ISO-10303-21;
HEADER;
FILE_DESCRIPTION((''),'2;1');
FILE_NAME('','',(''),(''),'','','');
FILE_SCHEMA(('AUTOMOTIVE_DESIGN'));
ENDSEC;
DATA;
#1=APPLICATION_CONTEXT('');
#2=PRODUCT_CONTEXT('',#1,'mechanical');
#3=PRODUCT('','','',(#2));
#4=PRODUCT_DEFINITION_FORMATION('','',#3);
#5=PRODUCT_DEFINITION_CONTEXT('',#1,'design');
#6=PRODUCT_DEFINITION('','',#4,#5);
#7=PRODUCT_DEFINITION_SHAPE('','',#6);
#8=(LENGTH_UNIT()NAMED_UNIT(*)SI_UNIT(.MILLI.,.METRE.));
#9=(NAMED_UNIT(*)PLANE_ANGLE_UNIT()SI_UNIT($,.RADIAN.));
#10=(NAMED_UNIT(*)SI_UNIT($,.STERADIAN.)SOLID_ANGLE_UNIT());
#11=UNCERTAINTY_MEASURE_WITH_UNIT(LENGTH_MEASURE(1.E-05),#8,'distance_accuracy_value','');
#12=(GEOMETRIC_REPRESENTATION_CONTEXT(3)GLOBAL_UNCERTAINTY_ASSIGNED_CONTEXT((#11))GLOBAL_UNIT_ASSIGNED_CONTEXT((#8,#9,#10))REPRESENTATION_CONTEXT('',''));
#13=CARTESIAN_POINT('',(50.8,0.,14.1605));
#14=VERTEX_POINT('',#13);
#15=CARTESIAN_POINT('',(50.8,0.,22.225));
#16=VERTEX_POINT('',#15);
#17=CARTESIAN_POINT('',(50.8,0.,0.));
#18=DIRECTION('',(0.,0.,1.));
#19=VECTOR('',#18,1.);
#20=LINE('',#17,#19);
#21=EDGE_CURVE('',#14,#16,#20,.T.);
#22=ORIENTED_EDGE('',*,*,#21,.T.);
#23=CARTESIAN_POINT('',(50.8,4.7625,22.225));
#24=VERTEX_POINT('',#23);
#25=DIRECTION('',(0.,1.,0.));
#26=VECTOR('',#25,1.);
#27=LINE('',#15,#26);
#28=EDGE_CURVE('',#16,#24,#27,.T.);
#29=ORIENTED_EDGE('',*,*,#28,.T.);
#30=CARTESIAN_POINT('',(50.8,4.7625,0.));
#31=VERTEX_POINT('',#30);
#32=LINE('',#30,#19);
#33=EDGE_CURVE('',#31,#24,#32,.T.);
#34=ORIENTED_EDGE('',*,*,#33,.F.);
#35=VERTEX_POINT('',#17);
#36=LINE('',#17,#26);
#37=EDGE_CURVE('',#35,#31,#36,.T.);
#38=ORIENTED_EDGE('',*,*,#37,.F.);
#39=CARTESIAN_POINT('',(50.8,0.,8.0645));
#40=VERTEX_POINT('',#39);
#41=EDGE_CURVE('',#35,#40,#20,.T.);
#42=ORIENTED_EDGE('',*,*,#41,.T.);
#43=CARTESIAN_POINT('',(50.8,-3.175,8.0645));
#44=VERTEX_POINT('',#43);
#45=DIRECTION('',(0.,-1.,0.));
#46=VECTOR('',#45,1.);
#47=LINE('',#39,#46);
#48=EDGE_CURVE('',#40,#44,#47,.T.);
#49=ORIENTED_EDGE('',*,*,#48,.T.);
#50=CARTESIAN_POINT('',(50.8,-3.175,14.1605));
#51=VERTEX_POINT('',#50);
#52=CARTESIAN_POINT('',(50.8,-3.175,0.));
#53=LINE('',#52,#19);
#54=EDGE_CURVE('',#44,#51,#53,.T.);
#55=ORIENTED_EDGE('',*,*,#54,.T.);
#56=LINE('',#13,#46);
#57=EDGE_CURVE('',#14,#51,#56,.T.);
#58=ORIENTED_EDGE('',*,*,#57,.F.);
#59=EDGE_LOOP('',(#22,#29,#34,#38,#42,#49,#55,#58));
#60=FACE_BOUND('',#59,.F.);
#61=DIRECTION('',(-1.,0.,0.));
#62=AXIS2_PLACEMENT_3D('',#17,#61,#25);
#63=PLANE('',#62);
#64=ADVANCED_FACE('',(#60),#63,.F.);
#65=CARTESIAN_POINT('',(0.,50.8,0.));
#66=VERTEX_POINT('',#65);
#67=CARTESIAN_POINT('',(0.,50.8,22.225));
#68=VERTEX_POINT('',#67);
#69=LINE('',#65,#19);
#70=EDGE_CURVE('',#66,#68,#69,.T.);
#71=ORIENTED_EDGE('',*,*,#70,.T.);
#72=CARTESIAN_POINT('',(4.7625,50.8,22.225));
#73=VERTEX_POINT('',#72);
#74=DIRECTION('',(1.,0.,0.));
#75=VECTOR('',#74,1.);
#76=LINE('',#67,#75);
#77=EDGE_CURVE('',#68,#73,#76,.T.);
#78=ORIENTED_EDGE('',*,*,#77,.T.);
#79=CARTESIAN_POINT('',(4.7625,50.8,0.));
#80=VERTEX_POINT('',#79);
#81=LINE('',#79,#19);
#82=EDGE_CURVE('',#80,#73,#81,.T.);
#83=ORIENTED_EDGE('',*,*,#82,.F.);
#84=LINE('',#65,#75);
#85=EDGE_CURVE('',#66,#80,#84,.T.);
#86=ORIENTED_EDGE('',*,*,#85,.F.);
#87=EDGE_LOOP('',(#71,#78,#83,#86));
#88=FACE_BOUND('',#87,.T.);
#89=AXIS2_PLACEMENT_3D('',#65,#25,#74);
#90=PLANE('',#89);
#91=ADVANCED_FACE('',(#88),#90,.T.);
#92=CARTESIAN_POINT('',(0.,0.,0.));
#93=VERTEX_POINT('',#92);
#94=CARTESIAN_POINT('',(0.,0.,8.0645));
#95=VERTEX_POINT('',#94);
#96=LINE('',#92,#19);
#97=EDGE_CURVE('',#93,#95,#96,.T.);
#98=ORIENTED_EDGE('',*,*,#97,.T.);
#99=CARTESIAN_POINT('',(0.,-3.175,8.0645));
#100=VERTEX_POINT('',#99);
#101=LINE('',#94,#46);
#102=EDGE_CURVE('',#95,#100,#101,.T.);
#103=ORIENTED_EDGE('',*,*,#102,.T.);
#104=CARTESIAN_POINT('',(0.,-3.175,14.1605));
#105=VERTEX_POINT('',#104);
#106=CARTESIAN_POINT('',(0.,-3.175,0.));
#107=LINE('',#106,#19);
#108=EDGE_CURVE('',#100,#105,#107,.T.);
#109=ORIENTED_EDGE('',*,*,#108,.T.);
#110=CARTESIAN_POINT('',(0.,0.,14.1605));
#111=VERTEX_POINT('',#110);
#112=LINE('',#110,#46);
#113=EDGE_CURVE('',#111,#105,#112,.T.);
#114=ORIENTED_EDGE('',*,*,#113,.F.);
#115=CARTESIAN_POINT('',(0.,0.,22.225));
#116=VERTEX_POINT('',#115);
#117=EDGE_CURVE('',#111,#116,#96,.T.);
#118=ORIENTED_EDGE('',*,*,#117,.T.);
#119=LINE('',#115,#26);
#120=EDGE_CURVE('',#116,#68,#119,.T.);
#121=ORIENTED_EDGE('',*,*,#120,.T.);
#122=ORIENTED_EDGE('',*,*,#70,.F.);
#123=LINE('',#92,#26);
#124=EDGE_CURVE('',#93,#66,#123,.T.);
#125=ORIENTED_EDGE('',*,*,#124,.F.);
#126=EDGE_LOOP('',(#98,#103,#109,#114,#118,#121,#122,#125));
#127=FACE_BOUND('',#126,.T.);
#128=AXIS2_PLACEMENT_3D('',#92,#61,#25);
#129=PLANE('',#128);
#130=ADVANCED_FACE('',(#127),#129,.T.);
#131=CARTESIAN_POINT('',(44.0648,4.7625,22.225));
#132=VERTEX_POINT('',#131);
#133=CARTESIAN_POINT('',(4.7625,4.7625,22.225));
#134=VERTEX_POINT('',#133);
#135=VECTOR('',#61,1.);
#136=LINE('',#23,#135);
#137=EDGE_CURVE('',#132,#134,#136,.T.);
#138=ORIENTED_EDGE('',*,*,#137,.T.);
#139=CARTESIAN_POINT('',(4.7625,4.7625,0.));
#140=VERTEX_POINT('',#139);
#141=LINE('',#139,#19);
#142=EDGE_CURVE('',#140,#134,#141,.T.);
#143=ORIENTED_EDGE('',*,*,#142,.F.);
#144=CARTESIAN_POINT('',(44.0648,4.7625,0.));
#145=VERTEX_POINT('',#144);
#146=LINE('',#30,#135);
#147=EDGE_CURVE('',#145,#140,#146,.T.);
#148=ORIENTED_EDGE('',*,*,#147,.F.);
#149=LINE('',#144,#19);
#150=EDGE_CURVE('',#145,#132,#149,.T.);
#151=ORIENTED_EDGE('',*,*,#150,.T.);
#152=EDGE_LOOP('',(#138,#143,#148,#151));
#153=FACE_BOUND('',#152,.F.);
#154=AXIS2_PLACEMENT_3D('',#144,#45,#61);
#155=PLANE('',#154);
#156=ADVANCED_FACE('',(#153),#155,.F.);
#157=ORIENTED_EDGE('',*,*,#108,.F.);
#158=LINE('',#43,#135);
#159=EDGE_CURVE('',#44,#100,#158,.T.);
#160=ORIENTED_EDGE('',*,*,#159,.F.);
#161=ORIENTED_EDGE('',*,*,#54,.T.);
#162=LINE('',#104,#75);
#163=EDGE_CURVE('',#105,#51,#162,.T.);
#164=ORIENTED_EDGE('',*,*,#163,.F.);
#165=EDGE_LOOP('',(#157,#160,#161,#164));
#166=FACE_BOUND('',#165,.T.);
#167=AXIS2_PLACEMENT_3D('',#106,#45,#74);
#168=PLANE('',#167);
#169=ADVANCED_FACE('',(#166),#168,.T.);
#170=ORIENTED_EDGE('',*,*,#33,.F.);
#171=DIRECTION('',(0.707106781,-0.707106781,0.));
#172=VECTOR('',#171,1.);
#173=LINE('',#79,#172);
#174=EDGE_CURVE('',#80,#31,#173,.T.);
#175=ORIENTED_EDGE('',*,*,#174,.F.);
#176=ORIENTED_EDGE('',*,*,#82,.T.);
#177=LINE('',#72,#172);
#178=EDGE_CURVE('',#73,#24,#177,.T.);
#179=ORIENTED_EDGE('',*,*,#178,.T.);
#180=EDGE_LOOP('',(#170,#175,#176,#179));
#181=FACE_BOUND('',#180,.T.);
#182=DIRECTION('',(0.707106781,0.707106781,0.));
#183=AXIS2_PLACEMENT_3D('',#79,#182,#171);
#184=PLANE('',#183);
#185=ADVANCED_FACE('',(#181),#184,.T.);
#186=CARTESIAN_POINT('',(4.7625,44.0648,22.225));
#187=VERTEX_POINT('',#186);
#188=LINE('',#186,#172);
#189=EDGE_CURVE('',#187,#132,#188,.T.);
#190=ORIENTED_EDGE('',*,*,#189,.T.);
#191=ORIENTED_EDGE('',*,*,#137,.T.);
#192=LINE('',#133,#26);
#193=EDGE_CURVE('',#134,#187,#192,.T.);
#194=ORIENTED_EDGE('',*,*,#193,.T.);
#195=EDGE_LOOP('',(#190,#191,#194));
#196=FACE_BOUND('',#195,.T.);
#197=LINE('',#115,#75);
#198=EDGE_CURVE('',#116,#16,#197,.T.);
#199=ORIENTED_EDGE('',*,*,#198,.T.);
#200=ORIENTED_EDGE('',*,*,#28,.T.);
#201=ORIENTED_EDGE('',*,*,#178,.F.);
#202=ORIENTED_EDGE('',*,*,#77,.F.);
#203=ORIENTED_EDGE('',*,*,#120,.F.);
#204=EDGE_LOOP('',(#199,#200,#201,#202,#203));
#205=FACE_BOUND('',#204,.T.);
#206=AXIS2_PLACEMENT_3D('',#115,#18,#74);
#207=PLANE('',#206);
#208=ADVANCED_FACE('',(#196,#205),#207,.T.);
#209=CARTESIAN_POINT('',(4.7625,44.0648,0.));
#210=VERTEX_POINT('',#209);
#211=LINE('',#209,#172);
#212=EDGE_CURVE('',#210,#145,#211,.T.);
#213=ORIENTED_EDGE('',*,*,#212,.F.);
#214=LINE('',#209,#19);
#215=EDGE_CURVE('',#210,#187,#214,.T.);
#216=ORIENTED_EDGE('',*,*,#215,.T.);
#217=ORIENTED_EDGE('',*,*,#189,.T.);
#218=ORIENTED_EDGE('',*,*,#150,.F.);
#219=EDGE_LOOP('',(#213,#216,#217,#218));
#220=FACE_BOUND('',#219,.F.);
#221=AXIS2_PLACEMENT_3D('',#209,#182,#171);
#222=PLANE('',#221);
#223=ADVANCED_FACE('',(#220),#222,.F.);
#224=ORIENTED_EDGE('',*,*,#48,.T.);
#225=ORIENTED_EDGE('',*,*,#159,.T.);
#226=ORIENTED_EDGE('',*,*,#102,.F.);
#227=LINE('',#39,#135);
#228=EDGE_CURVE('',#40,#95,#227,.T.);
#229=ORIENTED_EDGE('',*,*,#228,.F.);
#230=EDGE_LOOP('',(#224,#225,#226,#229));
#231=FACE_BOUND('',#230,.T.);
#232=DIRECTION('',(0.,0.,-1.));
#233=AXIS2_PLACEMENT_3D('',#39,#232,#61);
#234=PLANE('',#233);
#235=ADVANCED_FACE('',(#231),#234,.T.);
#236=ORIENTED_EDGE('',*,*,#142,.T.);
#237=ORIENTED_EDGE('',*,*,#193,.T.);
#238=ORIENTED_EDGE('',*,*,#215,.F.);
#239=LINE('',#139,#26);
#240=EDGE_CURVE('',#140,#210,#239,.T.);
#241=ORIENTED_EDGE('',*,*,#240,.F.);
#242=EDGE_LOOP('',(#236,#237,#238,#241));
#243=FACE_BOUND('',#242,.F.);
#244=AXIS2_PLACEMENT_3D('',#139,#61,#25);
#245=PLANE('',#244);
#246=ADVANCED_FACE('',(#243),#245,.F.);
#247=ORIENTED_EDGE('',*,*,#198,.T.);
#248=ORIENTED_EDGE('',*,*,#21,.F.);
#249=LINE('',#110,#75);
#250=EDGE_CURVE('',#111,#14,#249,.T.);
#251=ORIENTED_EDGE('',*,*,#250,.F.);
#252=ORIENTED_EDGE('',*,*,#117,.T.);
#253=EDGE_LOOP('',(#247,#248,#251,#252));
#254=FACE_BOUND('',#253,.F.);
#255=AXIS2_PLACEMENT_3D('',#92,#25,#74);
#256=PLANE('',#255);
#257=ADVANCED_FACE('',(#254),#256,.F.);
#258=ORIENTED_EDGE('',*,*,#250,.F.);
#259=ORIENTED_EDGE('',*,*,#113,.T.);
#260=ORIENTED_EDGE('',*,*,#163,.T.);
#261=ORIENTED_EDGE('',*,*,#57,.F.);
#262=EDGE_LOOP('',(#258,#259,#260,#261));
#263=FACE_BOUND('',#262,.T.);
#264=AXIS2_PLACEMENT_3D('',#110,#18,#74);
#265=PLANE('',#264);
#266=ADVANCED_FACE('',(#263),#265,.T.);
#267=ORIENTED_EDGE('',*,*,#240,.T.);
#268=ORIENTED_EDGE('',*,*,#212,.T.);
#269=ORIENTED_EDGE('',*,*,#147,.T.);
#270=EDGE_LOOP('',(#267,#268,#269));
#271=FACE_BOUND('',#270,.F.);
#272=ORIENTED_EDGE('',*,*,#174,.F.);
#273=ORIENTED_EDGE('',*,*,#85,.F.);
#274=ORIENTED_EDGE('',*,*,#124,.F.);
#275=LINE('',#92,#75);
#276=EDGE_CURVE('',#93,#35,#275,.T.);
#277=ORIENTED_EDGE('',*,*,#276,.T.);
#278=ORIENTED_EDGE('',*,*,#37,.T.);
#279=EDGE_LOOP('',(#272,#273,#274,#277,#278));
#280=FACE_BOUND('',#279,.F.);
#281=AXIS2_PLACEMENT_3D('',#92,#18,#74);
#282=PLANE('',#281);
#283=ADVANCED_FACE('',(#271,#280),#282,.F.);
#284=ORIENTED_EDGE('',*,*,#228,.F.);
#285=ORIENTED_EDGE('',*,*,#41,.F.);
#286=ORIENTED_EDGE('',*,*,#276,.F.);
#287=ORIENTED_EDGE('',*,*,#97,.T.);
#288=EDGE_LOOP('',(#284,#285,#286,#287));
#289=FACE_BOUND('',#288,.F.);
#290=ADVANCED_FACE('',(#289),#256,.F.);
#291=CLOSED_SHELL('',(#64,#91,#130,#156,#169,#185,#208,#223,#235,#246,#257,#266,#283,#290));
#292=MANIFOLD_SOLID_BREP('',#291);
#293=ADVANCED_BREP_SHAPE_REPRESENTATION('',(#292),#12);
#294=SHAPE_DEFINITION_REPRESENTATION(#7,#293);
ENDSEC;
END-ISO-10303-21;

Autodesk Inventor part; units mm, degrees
ref_plane "YZ Plane" through (0, 0, 0) normal (1, 0, 0) x (0, 1, 0)
ref_plane "XZ Plane" through (0, 0, 0) normal (0, 1, 0) x (-1, 0, 0)
ref_plane "XY Plane" through (0, 0, 0) normal (0, 0, 1) x (1, 0, 0)
sketch "Sketch1" plane through (0, 0, 0) normal (0, 0, 1) x (1, 0, 0)
  line L0 (0, 0) -> (0, 50.8)
  line L1 (0, 0) -> (50.8, 0)
  line L2 (50.8, 4.7625) -> (4.7625, 4.7625)
  line L3 (4.7625, 4.7625) -> (4.7625, 50.8)
  line L4 (50.8, 0) -> (50.8, 4.7625)
  line L5 (0, 50.8) -> (4.7625, 50.8)
  line L6 (4.7625, 50.8) -> (50.8, 4.7625)
  line L7 (4.7625, 44.0648) -> (44.0648, 4.7625)
  dimension "d0" = 50.8
  dimension "d1" = 50.8
  dimension "d2" = 4.7625
  dimension "d3" = 4.7625
extrude "Extrusion1" add sketch "Sketch1" along normal blind 22.225 contours L0 L5 L3 L2 L4 L1 | L6 L2 L7 L3
sketch "Sketch2" plane through (0, 0, 0) normal (0, -1, 0) x (1, 0, 0)
  line L0 (0, 0) -> (0, 22.225) projected
  line L1 (0, 14.1605) -> (50.8, 14.1605)
  line L2 (50.8, 0) -> (50.8, 22.225) projected
  line L3 (50.8, 8.0645) -> (0, 8.0645)
  line L4 (0, 0) -> (50.8, 0) projected
  line L5 (50.8, 14.1605) -> (50.8, 8.0645)
  line L6 (0, 14.1605) -> (0, 8.0645)
  dimension "d6" = 6.096
  dimension "d7" = 8.0645
extrude "Extrusion2" add sketch "Sketch2" along normal blind 3.175 contours L0 L1 L2 L3
properties part number "Triangle Bracket"
